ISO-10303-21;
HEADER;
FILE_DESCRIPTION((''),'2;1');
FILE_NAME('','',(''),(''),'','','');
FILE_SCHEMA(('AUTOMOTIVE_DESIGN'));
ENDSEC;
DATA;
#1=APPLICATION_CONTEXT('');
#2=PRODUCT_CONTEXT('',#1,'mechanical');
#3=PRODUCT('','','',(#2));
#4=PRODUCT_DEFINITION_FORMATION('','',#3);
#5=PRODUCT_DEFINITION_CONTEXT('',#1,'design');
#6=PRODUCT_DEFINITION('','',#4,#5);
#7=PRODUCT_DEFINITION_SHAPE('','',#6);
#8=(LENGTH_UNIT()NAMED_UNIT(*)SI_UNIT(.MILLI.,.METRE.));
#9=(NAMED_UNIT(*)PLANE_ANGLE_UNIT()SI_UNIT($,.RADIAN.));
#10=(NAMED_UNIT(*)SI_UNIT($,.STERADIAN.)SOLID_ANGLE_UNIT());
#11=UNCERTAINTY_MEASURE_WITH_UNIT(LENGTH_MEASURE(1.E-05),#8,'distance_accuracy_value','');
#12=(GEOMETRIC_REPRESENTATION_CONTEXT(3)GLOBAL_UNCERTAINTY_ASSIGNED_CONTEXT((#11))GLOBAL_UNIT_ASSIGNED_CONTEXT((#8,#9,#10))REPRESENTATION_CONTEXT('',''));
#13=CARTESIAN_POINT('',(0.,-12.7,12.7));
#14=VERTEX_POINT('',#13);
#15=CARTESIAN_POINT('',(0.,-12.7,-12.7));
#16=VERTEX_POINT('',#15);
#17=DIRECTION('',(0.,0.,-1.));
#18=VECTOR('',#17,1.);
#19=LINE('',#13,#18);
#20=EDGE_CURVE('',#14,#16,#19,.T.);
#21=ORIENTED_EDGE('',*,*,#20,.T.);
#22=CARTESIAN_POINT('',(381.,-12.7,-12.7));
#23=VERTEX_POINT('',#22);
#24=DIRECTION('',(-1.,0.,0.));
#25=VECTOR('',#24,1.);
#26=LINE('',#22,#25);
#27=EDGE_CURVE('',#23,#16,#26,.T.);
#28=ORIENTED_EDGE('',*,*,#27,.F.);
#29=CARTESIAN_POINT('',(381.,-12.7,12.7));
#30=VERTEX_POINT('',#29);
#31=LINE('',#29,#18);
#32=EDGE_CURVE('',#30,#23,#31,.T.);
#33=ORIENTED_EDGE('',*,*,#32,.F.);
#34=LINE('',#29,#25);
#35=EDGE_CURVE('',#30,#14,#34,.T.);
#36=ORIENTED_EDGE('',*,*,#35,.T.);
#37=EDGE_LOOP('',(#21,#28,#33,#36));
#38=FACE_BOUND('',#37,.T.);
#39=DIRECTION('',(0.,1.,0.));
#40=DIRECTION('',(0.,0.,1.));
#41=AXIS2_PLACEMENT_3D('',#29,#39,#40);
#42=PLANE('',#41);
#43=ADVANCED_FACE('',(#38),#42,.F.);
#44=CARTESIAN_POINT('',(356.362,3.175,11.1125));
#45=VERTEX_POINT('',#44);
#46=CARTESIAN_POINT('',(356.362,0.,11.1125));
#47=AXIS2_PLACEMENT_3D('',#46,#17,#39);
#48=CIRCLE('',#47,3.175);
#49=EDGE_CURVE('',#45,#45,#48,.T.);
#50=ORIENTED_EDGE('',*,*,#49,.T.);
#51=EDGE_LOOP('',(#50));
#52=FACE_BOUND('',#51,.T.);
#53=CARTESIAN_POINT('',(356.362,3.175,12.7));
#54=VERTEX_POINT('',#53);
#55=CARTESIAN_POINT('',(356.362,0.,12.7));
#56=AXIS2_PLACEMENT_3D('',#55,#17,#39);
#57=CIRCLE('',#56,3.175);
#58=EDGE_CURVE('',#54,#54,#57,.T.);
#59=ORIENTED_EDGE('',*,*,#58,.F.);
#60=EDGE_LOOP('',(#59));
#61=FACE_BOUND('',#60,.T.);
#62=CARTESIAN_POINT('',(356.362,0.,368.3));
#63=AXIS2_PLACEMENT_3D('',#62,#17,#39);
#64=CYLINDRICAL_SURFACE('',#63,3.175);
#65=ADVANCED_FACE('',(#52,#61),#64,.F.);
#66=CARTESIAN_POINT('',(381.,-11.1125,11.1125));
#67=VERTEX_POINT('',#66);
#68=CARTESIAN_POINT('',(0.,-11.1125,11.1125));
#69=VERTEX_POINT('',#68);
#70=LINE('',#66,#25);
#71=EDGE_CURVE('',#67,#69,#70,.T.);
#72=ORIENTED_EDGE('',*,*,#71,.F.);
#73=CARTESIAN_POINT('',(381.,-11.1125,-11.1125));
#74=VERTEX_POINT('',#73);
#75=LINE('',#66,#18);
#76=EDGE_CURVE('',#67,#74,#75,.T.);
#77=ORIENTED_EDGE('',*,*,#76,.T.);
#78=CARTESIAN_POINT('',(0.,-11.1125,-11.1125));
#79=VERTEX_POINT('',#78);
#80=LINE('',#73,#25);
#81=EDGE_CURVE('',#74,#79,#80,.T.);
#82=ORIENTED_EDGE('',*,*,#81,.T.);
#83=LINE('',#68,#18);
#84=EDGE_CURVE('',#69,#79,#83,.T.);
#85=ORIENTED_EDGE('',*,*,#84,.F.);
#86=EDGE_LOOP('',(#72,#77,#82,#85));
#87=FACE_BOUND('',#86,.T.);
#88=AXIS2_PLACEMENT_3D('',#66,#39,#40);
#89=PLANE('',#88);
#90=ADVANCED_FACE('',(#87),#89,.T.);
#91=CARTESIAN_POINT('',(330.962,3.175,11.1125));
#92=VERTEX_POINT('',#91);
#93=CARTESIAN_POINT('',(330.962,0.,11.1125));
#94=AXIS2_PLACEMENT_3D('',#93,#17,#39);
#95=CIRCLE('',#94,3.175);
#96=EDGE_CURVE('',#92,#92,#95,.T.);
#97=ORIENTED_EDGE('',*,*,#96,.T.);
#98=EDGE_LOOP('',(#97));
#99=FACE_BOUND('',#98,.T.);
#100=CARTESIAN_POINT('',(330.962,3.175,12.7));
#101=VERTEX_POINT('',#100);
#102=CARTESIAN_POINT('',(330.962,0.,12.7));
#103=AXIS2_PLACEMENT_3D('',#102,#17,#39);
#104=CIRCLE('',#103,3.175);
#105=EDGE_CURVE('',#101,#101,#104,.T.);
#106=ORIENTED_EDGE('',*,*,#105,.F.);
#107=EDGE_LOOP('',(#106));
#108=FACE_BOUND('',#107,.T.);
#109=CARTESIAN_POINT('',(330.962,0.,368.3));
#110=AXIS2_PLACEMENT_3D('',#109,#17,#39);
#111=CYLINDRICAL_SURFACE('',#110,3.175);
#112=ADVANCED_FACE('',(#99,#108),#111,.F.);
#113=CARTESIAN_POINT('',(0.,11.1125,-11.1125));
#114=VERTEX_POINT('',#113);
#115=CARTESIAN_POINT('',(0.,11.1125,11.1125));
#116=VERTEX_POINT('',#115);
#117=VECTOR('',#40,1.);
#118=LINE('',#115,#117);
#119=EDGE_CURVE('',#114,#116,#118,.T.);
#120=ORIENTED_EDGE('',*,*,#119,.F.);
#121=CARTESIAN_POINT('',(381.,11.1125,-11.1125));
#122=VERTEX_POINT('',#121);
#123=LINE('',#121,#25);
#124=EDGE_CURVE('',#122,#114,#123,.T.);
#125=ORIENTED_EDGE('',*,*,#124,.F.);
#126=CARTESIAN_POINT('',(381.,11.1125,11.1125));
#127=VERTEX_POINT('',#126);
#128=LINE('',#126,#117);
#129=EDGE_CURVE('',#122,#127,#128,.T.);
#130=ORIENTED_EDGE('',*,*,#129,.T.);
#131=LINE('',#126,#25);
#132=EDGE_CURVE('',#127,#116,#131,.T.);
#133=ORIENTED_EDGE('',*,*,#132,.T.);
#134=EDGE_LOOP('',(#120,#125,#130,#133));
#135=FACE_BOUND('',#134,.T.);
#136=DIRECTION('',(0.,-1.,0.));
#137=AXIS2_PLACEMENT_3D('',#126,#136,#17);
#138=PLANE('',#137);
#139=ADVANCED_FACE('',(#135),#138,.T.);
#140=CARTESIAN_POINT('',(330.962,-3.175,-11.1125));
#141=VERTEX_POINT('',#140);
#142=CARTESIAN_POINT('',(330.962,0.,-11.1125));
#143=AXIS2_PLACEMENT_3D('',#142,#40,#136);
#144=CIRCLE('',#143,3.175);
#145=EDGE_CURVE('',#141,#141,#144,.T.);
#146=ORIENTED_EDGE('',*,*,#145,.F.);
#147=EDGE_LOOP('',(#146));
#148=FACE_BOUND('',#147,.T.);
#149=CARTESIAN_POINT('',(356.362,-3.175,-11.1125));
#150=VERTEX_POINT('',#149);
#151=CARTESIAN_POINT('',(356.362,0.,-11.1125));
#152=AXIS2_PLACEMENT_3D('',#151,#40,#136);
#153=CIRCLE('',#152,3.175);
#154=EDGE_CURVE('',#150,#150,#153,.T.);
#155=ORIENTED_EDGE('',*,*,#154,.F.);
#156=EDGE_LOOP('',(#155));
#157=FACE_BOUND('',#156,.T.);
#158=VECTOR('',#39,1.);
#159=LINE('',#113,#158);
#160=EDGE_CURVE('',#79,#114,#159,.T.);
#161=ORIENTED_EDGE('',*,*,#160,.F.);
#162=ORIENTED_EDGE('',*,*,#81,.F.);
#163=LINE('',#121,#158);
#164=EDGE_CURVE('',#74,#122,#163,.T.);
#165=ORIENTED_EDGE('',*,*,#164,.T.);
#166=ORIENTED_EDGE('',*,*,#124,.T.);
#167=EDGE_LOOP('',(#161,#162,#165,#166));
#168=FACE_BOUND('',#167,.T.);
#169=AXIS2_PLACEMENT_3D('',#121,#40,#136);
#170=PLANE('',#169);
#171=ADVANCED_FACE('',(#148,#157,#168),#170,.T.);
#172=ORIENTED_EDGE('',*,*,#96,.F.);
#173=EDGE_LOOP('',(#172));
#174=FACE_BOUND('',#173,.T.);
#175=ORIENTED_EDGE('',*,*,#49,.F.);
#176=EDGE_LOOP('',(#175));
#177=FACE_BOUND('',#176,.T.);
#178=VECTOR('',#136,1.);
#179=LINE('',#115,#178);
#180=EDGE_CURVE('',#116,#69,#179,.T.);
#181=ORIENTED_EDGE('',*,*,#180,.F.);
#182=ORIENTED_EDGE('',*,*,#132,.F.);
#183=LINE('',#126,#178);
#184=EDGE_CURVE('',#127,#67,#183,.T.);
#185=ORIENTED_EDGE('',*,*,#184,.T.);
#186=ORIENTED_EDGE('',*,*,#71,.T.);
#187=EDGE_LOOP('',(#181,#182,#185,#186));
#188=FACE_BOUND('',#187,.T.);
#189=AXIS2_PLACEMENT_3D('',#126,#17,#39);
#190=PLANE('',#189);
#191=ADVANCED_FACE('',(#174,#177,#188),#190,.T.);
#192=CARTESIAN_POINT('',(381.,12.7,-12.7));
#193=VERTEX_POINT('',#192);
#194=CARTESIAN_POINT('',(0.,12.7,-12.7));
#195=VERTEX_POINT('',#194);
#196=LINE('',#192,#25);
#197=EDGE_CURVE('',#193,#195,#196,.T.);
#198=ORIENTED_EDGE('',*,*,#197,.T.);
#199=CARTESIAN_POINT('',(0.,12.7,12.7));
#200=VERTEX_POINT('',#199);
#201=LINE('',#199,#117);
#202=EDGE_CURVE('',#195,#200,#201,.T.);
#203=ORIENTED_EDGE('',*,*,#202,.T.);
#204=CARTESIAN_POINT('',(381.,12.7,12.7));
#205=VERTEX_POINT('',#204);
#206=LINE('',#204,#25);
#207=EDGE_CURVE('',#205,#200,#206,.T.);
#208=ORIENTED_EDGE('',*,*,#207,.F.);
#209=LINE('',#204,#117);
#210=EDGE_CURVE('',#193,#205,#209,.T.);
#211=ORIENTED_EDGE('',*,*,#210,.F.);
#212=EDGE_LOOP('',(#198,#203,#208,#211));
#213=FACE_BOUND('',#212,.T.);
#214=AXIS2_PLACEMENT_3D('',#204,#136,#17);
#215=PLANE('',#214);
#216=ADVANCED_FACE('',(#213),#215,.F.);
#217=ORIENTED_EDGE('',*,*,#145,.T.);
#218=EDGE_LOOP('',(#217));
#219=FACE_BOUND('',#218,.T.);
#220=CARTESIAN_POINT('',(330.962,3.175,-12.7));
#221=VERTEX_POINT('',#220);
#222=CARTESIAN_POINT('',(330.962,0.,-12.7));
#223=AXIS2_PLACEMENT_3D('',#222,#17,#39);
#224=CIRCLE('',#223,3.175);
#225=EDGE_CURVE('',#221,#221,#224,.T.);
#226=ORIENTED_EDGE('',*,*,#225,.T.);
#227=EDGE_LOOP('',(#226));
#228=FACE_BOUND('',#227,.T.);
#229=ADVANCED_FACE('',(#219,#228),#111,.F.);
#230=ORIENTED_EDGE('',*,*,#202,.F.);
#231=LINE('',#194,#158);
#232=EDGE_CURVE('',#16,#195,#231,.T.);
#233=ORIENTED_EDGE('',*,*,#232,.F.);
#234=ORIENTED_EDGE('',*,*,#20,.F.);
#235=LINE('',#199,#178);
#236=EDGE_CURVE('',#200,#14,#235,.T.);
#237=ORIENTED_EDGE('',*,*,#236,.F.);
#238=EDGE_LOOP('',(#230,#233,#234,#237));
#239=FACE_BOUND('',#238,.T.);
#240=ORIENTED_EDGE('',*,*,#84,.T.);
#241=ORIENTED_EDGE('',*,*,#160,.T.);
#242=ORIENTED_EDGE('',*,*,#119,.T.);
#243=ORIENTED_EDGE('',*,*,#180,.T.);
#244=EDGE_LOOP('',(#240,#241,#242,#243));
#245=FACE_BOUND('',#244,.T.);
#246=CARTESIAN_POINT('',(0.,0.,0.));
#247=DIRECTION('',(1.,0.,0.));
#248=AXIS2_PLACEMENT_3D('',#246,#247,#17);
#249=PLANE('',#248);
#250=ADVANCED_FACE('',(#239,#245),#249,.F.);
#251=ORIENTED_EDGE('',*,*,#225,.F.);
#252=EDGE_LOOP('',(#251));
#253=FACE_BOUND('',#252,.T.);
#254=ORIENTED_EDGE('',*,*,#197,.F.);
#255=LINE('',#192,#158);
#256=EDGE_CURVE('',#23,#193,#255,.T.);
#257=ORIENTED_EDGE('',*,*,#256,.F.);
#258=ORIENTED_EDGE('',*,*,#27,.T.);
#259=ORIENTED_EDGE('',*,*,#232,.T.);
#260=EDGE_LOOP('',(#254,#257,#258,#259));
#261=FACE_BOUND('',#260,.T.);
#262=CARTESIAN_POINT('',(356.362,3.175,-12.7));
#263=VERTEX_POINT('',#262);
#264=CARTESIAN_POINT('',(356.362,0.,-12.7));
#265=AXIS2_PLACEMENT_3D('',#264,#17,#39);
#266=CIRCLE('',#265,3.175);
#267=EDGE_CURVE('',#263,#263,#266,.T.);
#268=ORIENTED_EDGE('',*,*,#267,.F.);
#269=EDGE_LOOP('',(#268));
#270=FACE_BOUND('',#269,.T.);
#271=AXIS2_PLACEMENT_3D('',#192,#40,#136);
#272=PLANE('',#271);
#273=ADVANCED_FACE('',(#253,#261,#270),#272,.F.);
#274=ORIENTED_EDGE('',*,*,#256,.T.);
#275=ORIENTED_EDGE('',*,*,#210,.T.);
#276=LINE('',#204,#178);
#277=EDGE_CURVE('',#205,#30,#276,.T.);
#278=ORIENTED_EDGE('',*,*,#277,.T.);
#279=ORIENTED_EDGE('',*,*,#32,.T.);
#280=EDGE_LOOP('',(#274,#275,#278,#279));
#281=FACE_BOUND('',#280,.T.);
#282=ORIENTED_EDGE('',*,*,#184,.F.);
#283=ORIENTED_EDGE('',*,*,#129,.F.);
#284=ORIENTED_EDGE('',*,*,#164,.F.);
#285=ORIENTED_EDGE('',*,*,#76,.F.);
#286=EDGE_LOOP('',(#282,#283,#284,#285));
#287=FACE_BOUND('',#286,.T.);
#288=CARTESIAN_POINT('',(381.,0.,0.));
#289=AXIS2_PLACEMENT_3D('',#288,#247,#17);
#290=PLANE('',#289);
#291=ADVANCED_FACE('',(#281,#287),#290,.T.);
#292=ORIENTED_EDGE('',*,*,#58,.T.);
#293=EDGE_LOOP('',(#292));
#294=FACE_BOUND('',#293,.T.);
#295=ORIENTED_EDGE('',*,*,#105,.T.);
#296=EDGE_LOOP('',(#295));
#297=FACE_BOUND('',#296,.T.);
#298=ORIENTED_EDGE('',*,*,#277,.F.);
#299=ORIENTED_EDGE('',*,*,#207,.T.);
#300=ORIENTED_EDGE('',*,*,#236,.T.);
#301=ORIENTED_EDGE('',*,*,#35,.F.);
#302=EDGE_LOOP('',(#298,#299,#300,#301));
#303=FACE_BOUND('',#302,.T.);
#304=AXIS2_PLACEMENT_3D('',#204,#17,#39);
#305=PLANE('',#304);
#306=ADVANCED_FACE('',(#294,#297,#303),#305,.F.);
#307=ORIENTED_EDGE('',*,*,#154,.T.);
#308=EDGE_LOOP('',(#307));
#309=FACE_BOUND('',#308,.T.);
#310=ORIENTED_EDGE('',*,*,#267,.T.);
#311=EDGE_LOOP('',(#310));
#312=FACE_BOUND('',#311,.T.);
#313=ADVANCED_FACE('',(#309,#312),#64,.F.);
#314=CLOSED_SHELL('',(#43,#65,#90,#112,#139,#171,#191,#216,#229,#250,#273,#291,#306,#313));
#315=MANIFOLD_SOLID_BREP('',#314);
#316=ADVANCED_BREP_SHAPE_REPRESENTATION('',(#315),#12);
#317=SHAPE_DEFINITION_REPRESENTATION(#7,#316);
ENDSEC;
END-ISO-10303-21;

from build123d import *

# Parameters (mm, degrees)
SKETCH1_W           = 25.4
SKETCH1_H           = 25.4
SKETCH1_W_2         = 22.225
SKETCH1_H_2         = 22.225
BOSS_EXTRUDE1_DEPTH = 381
SKETCH2_R           = 3.175
CUT_EXTRUDE1_DEPTH  = 381


with BuildPart() as part:
    # Sketch1 → Boss-Extrude1 (new body)
    with BuildSketch(Plane(origin=(0, 0, 0), x_dir=(0, 0, -1), z_dir=(1, 0, 0))):
        Rectangle(SKETCH1_W, SKETCH1_H)
        Rectangle(SKETCH1_W_2, SKETCH1_H_2, mode=Mode.SUBTRACT)
    extrude(amount=BOSS_EXTRUDE1_DEPTH)

    # Sketch2 → Cut-Extrude1 (cut)
    with BuildSketch(Plane(origin=(0, 0, -12.7), x_dir=(-1, 0, 0), z_dir=(0, 0, -1))):
        with Locations((-356.362, 0)):
            Circle(SKETCH2_R)
        with Locations((-330.962, 0)):
            Circle(SKETCH2_R)
    extrude(amount=-CUT_EXTRUDE1_DEPTH, mode=Mode.SUBTRACT)


solid = part.part
